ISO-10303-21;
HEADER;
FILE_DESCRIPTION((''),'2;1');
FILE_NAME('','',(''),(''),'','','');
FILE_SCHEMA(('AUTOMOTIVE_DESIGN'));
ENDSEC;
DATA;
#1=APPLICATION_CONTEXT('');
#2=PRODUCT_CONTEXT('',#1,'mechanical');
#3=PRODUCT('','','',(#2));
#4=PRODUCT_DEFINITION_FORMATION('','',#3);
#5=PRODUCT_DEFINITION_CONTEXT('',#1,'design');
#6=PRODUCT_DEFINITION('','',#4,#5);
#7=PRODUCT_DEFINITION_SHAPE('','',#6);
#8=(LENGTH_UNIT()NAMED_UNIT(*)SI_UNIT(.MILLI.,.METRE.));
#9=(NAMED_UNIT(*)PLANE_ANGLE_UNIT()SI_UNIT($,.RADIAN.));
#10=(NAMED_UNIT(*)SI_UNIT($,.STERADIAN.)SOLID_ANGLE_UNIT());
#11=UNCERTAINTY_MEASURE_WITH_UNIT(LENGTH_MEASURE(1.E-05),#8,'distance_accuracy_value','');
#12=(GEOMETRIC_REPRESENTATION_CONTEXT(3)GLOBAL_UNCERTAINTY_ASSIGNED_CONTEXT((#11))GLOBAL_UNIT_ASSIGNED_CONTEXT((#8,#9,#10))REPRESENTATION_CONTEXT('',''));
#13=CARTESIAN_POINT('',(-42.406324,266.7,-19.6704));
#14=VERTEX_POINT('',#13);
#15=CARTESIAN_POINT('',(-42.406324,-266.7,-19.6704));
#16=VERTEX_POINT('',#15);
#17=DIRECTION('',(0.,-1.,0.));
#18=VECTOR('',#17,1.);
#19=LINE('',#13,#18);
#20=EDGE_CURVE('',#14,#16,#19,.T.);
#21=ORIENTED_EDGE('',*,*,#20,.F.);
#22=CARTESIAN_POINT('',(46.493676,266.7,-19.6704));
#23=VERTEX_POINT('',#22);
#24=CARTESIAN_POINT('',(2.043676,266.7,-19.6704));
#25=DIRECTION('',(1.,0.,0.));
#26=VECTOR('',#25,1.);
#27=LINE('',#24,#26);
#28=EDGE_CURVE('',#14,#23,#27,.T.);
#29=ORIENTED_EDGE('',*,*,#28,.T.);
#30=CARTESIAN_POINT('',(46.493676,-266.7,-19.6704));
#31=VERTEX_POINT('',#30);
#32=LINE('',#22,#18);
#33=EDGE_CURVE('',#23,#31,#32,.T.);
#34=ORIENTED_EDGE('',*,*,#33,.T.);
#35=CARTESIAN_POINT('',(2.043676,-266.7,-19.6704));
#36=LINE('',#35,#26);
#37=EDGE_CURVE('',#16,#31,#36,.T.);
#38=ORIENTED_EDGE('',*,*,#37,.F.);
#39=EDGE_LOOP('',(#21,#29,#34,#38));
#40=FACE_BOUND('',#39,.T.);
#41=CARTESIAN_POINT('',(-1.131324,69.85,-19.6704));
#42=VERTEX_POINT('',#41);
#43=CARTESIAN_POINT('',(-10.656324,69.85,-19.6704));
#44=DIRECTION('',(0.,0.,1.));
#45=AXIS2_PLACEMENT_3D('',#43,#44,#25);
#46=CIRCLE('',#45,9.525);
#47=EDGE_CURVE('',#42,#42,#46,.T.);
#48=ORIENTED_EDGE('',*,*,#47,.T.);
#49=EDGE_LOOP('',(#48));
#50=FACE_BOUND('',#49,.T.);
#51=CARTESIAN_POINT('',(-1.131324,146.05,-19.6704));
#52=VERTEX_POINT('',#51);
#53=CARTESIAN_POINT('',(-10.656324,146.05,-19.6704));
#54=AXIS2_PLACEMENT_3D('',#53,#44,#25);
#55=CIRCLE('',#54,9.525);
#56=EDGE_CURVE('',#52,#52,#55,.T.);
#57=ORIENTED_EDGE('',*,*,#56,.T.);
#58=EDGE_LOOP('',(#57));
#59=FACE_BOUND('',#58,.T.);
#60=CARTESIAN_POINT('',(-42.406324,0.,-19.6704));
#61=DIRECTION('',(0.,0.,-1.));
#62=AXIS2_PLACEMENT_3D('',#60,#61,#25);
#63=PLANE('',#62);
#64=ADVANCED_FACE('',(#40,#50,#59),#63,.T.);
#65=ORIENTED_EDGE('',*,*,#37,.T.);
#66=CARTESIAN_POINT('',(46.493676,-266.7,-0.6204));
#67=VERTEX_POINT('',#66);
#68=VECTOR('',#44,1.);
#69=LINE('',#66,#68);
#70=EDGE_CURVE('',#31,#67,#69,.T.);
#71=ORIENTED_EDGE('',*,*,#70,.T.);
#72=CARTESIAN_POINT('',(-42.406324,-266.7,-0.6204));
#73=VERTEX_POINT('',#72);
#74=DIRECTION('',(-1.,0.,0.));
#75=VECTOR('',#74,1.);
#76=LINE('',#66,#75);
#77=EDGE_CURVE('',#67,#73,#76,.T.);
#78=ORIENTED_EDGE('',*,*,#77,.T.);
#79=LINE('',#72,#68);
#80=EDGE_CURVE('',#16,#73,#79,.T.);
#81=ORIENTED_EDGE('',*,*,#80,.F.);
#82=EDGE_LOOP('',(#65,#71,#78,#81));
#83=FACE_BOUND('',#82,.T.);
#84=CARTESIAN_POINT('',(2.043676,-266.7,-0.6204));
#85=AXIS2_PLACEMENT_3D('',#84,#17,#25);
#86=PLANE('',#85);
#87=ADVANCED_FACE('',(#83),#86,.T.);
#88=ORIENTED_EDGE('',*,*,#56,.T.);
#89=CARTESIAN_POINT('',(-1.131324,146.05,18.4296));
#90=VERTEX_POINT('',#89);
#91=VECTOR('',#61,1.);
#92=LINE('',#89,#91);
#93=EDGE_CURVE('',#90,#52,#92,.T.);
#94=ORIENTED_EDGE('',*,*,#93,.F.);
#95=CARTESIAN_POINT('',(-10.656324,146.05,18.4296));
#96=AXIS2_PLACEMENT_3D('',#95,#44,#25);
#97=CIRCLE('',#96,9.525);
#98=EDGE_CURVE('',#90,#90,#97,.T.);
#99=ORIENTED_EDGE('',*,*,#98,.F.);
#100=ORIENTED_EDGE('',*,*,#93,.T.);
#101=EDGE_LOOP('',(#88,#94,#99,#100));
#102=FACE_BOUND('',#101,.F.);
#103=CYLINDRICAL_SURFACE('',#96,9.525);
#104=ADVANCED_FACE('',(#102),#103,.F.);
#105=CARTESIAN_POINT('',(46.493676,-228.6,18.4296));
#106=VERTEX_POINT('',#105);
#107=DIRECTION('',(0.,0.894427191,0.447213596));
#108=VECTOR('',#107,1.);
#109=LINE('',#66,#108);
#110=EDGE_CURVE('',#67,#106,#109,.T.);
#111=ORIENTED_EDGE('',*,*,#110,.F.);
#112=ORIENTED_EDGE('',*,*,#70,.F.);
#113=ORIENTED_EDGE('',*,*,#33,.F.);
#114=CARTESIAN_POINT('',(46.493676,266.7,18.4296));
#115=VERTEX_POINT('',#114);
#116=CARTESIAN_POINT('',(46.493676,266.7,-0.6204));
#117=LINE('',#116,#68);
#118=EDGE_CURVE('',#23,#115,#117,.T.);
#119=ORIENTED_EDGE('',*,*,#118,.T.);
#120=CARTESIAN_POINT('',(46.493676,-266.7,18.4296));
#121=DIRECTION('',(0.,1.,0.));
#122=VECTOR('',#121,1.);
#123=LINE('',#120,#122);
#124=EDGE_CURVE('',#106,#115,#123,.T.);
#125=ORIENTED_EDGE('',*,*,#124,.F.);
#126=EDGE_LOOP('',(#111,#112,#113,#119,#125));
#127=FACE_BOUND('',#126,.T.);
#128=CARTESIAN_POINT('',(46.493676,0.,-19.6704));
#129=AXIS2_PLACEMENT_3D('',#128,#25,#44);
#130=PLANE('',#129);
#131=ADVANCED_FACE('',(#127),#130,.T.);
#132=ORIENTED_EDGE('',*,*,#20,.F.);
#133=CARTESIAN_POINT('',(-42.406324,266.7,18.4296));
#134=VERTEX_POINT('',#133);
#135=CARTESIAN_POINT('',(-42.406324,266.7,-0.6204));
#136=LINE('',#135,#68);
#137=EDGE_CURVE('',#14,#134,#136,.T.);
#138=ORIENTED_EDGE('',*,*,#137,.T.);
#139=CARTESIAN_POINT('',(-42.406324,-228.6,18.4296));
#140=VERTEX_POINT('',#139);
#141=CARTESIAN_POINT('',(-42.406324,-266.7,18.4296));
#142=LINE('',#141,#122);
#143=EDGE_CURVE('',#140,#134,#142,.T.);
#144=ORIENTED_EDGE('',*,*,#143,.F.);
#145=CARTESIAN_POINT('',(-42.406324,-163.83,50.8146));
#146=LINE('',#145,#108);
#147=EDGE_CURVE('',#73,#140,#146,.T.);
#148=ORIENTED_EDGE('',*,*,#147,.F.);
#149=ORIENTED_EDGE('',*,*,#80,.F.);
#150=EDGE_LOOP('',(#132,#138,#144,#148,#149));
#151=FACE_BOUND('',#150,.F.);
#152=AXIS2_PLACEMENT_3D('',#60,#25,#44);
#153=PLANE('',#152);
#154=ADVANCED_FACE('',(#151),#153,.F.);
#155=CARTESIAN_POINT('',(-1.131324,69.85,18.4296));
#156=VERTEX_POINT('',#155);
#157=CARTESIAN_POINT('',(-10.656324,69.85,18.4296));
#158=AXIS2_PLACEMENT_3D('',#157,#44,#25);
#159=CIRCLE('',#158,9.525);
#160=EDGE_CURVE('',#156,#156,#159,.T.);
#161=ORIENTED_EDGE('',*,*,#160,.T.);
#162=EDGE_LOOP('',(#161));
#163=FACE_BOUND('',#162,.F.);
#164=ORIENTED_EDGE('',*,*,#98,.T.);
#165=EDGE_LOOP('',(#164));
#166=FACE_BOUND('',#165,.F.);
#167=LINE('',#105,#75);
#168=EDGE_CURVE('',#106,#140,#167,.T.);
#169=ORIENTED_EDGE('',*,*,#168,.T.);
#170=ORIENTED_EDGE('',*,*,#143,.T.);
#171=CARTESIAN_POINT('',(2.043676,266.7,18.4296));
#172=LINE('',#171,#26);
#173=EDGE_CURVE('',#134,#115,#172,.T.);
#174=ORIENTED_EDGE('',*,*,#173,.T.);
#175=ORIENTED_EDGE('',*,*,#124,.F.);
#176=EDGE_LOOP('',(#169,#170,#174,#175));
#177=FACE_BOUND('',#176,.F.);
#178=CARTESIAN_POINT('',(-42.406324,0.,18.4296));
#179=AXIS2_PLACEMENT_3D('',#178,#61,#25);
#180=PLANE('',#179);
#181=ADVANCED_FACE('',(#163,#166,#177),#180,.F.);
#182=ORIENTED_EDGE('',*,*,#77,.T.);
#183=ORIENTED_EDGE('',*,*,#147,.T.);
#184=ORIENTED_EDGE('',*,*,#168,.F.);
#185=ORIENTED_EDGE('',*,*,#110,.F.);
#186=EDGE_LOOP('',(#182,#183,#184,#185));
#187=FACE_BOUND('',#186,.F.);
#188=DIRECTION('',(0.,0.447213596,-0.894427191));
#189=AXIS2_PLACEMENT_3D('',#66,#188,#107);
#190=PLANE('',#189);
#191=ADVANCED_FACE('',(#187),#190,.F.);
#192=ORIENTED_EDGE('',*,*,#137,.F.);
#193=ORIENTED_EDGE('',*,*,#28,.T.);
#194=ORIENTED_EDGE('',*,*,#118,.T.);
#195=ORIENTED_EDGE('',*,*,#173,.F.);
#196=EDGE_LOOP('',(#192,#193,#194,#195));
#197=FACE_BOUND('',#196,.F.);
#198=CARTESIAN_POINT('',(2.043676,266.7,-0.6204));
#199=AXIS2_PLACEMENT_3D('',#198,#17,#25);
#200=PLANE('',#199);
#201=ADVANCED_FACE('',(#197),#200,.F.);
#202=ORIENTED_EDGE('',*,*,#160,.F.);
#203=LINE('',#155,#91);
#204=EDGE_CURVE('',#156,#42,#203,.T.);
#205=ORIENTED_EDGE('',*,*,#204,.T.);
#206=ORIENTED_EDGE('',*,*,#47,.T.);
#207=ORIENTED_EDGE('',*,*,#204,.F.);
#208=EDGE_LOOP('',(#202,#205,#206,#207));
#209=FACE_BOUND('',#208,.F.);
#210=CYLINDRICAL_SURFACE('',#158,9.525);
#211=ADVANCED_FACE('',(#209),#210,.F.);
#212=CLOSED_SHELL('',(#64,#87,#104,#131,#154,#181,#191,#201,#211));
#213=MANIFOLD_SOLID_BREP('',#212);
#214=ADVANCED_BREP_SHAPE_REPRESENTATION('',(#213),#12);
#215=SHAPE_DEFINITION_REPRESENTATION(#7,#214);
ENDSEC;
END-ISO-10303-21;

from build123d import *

# Parameters (mm, degrees)
F0_W     = 88.9
F0_H     = 38.1
F1_DEPTH = 266.7
F3_DEPTH = 88.901
F4_R     = 9.525
F5_DEPTH = 38.101


with BuildPart() as f1:
    # F0 (on Front) → F1 (new body, symmetric)
    with BuildSketch(Plane.XZ):
        with Locations((2.043676, -0.6204)):
            Rectangle(F0_W, F0_H)
    extrude(amount=F1_DEPTH, both=True)

    # F2 (on face) → F3 (cut, through all)
    with BuildSketch(Plane.YZ.offset(46.493676)):
        Polygon((-266.7, -0.6204), (-228.6, 18.4296), (-266.7, 18.4296), align=None)
    extrude(amount=-F3_DEPTH, mode=Mode.SUBTRACT)

    # F4 (on face) → F5 (cut, through all)
    with BuildSketch(Plane.XY.offset(18.4296)):
        with Locations((-10.656324, 146.05)):
            Circle(F4_R)
        with Locations((-10.656324, 69.85)):
            Circle(F4_R)
    extrude(amount=-F5_DEPTH, mode=Mode.SUBTRACT)


solid = f1.part
